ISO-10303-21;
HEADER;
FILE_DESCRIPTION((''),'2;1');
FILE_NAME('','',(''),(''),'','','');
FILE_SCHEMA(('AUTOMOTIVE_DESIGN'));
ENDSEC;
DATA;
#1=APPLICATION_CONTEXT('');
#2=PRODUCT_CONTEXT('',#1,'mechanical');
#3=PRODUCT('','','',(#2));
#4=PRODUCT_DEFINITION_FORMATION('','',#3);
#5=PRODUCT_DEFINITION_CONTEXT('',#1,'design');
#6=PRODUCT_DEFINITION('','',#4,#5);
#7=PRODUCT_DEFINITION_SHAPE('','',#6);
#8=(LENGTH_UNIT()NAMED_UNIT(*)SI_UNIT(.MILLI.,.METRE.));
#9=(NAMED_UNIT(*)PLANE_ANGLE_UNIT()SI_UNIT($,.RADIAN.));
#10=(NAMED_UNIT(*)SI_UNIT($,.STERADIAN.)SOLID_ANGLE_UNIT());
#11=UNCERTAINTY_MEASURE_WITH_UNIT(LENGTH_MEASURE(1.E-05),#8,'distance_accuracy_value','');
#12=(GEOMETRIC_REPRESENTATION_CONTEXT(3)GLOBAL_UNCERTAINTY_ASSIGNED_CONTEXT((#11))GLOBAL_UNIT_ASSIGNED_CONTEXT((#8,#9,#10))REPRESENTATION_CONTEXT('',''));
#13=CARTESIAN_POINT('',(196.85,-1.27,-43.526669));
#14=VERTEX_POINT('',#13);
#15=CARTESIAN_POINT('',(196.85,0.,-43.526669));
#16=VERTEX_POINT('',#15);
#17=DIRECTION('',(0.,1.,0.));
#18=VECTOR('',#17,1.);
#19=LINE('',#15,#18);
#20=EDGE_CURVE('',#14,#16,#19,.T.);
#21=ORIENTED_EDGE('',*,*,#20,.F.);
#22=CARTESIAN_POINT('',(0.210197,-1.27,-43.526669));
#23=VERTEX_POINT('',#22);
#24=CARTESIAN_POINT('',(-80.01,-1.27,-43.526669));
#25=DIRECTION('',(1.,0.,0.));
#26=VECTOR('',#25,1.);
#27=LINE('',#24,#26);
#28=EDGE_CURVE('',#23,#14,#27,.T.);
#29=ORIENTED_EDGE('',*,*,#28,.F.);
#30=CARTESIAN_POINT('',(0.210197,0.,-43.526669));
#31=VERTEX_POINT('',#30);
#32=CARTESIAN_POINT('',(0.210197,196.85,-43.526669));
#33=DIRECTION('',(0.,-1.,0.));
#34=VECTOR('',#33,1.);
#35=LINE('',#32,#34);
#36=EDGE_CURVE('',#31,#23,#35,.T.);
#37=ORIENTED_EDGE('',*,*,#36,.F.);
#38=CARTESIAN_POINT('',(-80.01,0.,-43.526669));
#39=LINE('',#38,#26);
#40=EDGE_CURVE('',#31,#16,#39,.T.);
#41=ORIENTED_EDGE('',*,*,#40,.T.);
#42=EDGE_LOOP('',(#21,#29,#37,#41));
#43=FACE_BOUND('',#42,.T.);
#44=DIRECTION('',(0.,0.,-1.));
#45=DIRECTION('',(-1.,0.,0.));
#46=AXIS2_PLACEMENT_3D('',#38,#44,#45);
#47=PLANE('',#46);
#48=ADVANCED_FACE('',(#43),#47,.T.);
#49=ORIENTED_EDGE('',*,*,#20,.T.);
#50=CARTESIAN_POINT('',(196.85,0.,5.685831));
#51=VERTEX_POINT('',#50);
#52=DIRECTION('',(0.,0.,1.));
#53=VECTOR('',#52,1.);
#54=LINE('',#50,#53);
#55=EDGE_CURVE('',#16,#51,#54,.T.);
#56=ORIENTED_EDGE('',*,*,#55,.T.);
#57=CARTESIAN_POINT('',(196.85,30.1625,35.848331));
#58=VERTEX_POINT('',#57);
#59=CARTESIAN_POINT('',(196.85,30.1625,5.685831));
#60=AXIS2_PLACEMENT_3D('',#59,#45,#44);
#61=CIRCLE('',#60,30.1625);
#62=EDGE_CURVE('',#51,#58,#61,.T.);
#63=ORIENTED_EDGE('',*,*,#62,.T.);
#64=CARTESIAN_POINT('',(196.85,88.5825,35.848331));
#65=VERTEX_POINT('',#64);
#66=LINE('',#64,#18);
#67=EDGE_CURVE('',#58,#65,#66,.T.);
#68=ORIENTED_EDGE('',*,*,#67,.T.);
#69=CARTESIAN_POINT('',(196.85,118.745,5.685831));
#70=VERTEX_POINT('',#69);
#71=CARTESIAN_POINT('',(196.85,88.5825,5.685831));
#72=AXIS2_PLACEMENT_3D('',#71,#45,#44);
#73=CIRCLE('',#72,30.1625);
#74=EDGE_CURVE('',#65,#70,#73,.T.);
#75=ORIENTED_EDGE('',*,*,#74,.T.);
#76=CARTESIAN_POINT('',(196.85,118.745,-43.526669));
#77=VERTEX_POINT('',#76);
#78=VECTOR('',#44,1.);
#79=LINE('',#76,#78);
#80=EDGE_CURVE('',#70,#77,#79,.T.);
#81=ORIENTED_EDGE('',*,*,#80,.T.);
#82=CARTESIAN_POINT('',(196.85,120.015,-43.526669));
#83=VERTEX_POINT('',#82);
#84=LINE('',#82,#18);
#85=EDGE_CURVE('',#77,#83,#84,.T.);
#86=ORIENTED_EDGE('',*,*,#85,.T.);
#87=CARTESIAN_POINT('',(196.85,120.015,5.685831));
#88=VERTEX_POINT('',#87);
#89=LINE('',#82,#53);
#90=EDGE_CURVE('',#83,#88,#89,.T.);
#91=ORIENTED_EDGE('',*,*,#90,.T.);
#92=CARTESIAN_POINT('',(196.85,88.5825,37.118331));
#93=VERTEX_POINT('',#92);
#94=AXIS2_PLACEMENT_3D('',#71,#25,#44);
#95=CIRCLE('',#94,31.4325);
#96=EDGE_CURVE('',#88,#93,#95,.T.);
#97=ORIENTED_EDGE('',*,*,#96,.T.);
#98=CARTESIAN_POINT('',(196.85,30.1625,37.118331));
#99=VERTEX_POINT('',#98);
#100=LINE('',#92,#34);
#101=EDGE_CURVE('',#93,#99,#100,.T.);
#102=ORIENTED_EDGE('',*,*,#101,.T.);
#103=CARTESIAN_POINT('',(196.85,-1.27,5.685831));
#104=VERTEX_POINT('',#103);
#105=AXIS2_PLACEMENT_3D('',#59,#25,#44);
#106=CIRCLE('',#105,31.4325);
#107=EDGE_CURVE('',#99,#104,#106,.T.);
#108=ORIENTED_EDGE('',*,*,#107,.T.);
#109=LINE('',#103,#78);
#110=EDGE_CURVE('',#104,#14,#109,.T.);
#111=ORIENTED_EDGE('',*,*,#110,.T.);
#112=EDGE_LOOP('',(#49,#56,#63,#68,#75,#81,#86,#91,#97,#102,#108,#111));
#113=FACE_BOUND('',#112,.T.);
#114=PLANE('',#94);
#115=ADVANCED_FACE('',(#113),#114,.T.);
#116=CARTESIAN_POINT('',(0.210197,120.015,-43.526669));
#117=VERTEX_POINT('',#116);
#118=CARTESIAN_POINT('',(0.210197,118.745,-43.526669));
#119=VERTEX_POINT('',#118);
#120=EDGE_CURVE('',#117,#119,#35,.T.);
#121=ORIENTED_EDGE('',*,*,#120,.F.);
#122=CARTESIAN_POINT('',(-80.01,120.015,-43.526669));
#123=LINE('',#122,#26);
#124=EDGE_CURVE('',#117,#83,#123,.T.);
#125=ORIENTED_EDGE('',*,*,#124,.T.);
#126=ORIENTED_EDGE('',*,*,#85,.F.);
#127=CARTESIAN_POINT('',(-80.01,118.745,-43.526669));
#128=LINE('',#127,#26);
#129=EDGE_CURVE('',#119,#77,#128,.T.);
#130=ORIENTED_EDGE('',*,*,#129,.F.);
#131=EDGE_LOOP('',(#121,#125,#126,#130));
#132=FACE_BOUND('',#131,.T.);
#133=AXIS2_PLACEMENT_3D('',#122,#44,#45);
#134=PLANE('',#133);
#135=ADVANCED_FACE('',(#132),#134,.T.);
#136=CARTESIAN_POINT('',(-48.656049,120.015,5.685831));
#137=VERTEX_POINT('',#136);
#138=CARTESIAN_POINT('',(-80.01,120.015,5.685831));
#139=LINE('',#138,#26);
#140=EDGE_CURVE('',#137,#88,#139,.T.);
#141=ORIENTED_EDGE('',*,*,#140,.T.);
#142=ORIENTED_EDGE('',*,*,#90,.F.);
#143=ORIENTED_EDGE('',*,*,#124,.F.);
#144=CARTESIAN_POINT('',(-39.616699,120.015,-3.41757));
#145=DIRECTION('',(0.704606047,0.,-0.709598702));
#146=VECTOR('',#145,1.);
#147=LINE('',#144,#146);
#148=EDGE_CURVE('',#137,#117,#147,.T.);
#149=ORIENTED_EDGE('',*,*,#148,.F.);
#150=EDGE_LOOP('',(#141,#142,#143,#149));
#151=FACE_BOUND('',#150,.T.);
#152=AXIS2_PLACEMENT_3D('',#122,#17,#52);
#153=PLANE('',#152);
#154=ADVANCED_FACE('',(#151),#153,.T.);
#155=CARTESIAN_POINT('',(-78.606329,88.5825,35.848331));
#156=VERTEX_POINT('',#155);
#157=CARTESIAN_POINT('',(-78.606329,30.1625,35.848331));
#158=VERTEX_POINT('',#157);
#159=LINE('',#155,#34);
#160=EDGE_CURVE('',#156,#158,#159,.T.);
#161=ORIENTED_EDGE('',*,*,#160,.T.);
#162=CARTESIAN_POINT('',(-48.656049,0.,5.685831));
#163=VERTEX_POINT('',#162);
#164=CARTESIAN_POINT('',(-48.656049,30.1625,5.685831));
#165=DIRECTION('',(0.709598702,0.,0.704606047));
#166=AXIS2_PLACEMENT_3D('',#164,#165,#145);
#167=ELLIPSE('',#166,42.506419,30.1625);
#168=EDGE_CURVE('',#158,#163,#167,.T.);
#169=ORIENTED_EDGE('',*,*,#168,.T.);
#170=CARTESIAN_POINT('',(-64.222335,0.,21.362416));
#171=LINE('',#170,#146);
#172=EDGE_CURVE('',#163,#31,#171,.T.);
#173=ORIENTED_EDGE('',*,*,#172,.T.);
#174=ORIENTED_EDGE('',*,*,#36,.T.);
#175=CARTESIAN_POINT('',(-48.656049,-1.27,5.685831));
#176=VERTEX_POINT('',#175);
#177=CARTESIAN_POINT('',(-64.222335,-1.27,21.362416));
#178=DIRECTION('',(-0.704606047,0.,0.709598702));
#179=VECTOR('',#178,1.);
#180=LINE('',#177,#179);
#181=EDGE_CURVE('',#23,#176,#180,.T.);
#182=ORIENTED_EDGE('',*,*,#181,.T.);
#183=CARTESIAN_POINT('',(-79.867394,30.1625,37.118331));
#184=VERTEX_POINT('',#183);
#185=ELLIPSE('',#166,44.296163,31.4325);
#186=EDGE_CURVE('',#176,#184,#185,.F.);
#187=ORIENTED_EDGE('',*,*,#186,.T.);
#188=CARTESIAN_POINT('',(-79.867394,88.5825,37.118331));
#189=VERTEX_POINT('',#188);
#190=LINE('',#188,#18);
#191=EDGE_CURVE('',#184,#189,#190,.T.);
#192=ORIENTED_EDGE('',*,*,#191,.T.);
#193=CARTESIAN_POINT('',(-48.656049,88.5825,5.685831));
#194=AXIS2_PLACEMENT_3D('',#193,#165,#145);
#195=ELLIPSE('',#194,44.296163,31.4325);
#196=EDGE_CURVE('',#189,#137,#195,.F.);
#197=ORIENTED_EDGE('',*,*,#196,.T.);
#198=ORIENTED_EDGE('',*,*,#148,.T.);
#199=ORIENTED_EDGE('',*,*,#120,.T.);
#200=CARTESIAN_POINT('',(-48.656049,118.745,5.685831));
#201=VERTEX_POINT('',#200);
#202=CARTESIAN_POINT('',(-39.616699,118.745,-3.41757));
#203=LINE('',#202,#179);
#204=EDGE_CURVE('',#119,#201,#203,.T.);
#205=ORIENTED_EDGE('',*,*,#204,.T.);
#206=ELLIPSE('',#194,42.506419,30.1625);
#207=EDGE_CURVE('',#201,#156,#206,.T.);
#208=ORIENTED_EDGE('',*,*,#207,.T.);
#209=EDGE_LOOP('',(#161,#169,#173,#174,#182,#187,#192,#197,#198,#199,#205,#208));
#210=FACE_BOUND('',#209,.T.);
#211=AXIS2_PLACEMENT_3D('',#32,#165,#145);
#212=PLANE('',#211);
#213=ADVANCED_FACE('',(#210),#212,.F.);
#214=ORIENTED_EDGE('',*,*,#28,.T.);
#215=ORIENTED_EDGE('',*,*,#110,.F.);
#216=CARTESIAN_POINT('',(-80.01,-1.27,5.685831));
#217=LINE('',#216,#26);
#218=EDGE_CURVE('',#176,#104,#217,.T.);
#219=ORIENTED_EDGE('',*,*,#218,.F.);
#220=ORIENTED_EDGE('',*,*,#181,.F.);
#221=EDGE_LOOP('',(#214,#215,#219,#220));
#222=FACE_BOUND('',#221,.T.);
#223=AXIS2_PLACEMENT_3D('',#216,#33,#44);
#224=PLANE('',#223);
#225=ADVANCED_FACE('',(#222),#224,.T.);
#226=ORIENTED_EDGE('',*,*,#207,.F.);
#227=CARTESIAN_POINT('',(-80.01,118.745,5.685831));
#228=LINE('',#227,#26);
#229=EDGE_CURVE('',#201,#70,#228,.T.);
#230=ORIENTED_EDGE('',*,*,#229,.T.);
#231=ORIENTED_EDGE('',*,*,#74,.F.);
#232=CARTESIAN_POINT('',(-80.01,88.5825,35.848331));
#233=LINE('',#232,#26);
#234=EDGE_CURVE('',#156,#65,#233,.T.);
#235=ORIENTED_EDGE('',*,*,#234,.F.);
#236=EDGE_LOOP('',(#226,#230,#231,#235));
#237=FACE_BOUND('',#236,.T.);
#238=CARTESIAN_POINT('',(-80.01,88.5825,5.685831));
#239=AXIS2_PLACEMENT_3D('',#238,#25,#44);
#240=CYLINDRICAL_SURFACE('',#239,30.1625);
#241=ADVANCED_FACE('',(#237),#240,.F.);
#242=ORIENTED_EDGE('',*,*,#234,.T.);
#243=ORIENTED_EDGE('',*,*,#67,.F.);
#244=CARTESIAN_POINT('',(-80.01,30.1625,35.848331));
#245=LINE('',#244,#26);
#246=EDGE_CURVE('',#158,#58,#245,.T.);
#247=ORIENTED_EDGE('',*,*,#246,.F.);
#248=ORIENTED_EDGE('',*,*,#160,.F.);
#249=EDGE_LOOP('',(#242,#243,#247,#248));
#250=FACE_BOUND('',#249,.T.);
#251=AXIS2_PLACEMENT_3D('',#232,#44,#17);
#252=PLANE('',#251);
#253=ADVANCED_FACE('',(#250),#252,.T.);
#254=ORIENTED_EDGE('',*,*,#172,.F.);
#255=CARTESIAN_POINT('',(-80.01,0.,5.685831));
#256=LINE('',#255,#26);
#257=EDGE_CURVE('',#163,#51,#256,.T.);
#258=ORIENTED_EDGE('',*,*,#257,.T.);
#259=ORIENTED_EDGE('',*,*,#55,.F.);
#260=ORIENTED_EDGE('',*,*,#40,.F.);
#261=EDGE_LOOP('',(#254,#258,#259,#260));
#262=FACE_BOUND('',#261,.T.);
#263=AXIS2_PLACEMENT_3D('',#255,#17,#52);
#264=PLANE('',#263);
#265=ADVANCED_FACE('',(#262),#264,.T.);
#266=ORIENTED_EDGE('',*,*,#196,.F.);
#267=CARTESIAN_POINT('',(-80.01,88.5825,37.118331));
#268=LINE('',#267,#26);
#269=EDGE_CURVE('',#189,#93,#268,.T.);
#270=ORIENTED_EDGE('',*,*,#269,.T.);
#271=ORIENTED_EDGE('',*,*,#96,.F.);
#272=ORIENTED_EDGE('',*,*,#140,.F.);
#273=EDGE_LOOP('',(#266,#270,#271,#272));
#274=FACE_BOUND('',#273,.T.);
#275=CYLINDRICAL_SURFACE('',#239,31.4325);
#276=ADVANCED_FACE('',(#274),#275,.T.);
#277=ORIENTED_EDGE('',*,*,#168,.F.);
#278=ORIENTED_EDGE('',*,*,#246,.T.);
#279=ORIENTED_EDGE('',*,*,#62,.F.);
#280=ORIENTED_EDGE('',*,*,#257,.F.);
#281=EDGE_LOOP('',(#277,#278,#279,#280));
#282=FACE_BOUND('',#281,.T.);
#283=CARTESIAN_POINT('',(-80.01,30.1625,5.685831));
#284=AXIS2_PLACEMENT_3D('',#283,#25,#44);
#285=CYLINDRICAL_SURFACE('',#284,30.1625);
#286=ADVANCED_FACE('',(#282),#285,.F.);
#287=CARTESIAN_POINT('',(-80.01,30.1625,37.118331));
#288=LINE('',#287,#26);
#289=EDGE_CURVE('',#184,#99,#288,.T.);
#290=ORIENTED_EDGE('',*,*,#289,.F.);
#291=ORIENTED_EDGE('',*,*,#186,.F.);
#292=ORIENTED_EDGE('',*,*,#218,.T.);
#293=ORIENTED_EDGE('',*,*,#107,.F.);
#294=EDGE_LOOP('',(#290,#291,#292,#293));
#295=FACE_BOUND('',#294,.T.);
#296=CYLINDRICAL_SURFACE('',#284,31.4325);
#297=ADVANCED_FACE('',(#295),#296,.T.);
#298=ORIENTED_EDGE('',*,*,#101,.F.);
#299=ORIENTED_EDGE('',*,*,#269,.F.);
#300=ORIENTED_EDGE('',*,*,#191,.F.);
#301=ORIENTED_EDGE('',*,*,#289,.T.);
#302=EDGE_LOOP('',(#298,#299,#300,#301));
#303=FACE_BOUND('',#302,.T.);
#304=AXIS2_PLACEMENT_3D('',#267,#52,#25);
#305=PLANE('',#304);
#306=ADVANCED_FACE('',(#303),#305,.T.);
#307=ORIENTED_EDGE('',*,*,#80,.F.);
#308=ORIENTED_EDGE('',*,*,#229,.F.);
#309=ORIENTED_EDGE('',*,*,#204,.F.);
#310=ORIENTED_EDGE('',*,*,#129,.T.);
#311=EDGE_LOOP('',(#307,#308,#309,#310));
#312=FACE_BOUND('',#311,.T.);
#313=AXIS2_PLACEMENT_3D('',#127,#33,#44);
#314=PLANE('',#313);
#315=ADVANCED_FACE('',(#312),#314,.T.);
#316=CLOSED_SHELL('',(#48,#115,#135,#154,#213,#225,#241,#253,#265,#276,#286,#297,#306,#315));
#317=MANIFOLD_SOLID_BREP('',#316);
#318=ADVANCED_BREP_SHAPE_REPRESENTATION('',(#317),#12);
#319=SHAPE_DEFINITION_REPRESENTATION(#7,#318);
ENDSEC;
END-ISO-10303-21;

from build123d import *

# Parameters (mm, degrees)
BOSS_EXTRUDE1_DEPTH      = 196.85
BOSS_EXTRUDE1_DEPTH_BACK = 80.01
CUT_EXTRUDE1_DEPTH       = 196.85
CUT_EXTRUDE1_DEPTH_BACK  = 196.85


with BuildPart() as part:
    # Sketch1 → Boss-Extrude1 (new, two sides: drawn at the far end of the back side and taken through both)
    with BuildSketch(Plane(origin=(0, 0, -24.476668928), x_dir=(0, 0, -1), z_dir=(1, 0, 0)).offset(-BOSS_EXTRUDE1_DEPTH_BACK)):
        with BuildLine():
            Line((19.05, 118.745), (-30.1625, 118.745))
            ThreePointArc((-30.1625, 118.745), (-51.490608288, 109.910608288), (-60.325, 88.5825))
            Line((-60.325, 88.5825), (-60.325, 30.1625))
            ThreePointArc((-60.325, 30.1625), (-51.490608288, 8.834391712), (-30.1625, 0))
            Line((-30.1625, 0), (19.05, 0))
            Line((19.05, 0), (19.05, -1.27))
            Line((19.05, -1.27), (-30.1625, -1.27))
            ThreePointArc((-30.1625, -1.27), (-52.3886339, 7.9363661), (-61.595, 30.1625))
            Line((-61.595, 30.1625), (-61.595, 88.5825))
            ThreePointArc((-61.595, 88.5825), (-52.3886339, 110.8086339), (-30.1625, 120.015))
            Line((-30.1625, 120.015), (19.05, 120.015))
            Line((19.05, 120.015), (19.05, 118.745))
        make_face()
    extrude(amount=BOSS_EXTRUDE1_DEPTH + BOSS_EXTRUDE1_DEPTH_BACK)

    # Sketch2 → Cut-Extrude1 (cut, two sides: drawn at the far end of the back side and taken through both)
    with BuildSketch(Plane(origin=(0, 0, 0), x_dir=(1, 0, 0), z_dir=(0, 1, 0)).offset(-CUT_EXTRUDE1_DEPTH_BACK)):
        Polygon((0.210197293, 43.526668928), (-120.988442542, -78.530752949), (-120.988442542, 43.526668928), align=None)
    extrude(amount=CUT_EXTRUDE1_DEPTH + CUT_EXTRUDE1_DEPTH_BACK, mode=Mode.SUBTRACT)


solid = part.part
